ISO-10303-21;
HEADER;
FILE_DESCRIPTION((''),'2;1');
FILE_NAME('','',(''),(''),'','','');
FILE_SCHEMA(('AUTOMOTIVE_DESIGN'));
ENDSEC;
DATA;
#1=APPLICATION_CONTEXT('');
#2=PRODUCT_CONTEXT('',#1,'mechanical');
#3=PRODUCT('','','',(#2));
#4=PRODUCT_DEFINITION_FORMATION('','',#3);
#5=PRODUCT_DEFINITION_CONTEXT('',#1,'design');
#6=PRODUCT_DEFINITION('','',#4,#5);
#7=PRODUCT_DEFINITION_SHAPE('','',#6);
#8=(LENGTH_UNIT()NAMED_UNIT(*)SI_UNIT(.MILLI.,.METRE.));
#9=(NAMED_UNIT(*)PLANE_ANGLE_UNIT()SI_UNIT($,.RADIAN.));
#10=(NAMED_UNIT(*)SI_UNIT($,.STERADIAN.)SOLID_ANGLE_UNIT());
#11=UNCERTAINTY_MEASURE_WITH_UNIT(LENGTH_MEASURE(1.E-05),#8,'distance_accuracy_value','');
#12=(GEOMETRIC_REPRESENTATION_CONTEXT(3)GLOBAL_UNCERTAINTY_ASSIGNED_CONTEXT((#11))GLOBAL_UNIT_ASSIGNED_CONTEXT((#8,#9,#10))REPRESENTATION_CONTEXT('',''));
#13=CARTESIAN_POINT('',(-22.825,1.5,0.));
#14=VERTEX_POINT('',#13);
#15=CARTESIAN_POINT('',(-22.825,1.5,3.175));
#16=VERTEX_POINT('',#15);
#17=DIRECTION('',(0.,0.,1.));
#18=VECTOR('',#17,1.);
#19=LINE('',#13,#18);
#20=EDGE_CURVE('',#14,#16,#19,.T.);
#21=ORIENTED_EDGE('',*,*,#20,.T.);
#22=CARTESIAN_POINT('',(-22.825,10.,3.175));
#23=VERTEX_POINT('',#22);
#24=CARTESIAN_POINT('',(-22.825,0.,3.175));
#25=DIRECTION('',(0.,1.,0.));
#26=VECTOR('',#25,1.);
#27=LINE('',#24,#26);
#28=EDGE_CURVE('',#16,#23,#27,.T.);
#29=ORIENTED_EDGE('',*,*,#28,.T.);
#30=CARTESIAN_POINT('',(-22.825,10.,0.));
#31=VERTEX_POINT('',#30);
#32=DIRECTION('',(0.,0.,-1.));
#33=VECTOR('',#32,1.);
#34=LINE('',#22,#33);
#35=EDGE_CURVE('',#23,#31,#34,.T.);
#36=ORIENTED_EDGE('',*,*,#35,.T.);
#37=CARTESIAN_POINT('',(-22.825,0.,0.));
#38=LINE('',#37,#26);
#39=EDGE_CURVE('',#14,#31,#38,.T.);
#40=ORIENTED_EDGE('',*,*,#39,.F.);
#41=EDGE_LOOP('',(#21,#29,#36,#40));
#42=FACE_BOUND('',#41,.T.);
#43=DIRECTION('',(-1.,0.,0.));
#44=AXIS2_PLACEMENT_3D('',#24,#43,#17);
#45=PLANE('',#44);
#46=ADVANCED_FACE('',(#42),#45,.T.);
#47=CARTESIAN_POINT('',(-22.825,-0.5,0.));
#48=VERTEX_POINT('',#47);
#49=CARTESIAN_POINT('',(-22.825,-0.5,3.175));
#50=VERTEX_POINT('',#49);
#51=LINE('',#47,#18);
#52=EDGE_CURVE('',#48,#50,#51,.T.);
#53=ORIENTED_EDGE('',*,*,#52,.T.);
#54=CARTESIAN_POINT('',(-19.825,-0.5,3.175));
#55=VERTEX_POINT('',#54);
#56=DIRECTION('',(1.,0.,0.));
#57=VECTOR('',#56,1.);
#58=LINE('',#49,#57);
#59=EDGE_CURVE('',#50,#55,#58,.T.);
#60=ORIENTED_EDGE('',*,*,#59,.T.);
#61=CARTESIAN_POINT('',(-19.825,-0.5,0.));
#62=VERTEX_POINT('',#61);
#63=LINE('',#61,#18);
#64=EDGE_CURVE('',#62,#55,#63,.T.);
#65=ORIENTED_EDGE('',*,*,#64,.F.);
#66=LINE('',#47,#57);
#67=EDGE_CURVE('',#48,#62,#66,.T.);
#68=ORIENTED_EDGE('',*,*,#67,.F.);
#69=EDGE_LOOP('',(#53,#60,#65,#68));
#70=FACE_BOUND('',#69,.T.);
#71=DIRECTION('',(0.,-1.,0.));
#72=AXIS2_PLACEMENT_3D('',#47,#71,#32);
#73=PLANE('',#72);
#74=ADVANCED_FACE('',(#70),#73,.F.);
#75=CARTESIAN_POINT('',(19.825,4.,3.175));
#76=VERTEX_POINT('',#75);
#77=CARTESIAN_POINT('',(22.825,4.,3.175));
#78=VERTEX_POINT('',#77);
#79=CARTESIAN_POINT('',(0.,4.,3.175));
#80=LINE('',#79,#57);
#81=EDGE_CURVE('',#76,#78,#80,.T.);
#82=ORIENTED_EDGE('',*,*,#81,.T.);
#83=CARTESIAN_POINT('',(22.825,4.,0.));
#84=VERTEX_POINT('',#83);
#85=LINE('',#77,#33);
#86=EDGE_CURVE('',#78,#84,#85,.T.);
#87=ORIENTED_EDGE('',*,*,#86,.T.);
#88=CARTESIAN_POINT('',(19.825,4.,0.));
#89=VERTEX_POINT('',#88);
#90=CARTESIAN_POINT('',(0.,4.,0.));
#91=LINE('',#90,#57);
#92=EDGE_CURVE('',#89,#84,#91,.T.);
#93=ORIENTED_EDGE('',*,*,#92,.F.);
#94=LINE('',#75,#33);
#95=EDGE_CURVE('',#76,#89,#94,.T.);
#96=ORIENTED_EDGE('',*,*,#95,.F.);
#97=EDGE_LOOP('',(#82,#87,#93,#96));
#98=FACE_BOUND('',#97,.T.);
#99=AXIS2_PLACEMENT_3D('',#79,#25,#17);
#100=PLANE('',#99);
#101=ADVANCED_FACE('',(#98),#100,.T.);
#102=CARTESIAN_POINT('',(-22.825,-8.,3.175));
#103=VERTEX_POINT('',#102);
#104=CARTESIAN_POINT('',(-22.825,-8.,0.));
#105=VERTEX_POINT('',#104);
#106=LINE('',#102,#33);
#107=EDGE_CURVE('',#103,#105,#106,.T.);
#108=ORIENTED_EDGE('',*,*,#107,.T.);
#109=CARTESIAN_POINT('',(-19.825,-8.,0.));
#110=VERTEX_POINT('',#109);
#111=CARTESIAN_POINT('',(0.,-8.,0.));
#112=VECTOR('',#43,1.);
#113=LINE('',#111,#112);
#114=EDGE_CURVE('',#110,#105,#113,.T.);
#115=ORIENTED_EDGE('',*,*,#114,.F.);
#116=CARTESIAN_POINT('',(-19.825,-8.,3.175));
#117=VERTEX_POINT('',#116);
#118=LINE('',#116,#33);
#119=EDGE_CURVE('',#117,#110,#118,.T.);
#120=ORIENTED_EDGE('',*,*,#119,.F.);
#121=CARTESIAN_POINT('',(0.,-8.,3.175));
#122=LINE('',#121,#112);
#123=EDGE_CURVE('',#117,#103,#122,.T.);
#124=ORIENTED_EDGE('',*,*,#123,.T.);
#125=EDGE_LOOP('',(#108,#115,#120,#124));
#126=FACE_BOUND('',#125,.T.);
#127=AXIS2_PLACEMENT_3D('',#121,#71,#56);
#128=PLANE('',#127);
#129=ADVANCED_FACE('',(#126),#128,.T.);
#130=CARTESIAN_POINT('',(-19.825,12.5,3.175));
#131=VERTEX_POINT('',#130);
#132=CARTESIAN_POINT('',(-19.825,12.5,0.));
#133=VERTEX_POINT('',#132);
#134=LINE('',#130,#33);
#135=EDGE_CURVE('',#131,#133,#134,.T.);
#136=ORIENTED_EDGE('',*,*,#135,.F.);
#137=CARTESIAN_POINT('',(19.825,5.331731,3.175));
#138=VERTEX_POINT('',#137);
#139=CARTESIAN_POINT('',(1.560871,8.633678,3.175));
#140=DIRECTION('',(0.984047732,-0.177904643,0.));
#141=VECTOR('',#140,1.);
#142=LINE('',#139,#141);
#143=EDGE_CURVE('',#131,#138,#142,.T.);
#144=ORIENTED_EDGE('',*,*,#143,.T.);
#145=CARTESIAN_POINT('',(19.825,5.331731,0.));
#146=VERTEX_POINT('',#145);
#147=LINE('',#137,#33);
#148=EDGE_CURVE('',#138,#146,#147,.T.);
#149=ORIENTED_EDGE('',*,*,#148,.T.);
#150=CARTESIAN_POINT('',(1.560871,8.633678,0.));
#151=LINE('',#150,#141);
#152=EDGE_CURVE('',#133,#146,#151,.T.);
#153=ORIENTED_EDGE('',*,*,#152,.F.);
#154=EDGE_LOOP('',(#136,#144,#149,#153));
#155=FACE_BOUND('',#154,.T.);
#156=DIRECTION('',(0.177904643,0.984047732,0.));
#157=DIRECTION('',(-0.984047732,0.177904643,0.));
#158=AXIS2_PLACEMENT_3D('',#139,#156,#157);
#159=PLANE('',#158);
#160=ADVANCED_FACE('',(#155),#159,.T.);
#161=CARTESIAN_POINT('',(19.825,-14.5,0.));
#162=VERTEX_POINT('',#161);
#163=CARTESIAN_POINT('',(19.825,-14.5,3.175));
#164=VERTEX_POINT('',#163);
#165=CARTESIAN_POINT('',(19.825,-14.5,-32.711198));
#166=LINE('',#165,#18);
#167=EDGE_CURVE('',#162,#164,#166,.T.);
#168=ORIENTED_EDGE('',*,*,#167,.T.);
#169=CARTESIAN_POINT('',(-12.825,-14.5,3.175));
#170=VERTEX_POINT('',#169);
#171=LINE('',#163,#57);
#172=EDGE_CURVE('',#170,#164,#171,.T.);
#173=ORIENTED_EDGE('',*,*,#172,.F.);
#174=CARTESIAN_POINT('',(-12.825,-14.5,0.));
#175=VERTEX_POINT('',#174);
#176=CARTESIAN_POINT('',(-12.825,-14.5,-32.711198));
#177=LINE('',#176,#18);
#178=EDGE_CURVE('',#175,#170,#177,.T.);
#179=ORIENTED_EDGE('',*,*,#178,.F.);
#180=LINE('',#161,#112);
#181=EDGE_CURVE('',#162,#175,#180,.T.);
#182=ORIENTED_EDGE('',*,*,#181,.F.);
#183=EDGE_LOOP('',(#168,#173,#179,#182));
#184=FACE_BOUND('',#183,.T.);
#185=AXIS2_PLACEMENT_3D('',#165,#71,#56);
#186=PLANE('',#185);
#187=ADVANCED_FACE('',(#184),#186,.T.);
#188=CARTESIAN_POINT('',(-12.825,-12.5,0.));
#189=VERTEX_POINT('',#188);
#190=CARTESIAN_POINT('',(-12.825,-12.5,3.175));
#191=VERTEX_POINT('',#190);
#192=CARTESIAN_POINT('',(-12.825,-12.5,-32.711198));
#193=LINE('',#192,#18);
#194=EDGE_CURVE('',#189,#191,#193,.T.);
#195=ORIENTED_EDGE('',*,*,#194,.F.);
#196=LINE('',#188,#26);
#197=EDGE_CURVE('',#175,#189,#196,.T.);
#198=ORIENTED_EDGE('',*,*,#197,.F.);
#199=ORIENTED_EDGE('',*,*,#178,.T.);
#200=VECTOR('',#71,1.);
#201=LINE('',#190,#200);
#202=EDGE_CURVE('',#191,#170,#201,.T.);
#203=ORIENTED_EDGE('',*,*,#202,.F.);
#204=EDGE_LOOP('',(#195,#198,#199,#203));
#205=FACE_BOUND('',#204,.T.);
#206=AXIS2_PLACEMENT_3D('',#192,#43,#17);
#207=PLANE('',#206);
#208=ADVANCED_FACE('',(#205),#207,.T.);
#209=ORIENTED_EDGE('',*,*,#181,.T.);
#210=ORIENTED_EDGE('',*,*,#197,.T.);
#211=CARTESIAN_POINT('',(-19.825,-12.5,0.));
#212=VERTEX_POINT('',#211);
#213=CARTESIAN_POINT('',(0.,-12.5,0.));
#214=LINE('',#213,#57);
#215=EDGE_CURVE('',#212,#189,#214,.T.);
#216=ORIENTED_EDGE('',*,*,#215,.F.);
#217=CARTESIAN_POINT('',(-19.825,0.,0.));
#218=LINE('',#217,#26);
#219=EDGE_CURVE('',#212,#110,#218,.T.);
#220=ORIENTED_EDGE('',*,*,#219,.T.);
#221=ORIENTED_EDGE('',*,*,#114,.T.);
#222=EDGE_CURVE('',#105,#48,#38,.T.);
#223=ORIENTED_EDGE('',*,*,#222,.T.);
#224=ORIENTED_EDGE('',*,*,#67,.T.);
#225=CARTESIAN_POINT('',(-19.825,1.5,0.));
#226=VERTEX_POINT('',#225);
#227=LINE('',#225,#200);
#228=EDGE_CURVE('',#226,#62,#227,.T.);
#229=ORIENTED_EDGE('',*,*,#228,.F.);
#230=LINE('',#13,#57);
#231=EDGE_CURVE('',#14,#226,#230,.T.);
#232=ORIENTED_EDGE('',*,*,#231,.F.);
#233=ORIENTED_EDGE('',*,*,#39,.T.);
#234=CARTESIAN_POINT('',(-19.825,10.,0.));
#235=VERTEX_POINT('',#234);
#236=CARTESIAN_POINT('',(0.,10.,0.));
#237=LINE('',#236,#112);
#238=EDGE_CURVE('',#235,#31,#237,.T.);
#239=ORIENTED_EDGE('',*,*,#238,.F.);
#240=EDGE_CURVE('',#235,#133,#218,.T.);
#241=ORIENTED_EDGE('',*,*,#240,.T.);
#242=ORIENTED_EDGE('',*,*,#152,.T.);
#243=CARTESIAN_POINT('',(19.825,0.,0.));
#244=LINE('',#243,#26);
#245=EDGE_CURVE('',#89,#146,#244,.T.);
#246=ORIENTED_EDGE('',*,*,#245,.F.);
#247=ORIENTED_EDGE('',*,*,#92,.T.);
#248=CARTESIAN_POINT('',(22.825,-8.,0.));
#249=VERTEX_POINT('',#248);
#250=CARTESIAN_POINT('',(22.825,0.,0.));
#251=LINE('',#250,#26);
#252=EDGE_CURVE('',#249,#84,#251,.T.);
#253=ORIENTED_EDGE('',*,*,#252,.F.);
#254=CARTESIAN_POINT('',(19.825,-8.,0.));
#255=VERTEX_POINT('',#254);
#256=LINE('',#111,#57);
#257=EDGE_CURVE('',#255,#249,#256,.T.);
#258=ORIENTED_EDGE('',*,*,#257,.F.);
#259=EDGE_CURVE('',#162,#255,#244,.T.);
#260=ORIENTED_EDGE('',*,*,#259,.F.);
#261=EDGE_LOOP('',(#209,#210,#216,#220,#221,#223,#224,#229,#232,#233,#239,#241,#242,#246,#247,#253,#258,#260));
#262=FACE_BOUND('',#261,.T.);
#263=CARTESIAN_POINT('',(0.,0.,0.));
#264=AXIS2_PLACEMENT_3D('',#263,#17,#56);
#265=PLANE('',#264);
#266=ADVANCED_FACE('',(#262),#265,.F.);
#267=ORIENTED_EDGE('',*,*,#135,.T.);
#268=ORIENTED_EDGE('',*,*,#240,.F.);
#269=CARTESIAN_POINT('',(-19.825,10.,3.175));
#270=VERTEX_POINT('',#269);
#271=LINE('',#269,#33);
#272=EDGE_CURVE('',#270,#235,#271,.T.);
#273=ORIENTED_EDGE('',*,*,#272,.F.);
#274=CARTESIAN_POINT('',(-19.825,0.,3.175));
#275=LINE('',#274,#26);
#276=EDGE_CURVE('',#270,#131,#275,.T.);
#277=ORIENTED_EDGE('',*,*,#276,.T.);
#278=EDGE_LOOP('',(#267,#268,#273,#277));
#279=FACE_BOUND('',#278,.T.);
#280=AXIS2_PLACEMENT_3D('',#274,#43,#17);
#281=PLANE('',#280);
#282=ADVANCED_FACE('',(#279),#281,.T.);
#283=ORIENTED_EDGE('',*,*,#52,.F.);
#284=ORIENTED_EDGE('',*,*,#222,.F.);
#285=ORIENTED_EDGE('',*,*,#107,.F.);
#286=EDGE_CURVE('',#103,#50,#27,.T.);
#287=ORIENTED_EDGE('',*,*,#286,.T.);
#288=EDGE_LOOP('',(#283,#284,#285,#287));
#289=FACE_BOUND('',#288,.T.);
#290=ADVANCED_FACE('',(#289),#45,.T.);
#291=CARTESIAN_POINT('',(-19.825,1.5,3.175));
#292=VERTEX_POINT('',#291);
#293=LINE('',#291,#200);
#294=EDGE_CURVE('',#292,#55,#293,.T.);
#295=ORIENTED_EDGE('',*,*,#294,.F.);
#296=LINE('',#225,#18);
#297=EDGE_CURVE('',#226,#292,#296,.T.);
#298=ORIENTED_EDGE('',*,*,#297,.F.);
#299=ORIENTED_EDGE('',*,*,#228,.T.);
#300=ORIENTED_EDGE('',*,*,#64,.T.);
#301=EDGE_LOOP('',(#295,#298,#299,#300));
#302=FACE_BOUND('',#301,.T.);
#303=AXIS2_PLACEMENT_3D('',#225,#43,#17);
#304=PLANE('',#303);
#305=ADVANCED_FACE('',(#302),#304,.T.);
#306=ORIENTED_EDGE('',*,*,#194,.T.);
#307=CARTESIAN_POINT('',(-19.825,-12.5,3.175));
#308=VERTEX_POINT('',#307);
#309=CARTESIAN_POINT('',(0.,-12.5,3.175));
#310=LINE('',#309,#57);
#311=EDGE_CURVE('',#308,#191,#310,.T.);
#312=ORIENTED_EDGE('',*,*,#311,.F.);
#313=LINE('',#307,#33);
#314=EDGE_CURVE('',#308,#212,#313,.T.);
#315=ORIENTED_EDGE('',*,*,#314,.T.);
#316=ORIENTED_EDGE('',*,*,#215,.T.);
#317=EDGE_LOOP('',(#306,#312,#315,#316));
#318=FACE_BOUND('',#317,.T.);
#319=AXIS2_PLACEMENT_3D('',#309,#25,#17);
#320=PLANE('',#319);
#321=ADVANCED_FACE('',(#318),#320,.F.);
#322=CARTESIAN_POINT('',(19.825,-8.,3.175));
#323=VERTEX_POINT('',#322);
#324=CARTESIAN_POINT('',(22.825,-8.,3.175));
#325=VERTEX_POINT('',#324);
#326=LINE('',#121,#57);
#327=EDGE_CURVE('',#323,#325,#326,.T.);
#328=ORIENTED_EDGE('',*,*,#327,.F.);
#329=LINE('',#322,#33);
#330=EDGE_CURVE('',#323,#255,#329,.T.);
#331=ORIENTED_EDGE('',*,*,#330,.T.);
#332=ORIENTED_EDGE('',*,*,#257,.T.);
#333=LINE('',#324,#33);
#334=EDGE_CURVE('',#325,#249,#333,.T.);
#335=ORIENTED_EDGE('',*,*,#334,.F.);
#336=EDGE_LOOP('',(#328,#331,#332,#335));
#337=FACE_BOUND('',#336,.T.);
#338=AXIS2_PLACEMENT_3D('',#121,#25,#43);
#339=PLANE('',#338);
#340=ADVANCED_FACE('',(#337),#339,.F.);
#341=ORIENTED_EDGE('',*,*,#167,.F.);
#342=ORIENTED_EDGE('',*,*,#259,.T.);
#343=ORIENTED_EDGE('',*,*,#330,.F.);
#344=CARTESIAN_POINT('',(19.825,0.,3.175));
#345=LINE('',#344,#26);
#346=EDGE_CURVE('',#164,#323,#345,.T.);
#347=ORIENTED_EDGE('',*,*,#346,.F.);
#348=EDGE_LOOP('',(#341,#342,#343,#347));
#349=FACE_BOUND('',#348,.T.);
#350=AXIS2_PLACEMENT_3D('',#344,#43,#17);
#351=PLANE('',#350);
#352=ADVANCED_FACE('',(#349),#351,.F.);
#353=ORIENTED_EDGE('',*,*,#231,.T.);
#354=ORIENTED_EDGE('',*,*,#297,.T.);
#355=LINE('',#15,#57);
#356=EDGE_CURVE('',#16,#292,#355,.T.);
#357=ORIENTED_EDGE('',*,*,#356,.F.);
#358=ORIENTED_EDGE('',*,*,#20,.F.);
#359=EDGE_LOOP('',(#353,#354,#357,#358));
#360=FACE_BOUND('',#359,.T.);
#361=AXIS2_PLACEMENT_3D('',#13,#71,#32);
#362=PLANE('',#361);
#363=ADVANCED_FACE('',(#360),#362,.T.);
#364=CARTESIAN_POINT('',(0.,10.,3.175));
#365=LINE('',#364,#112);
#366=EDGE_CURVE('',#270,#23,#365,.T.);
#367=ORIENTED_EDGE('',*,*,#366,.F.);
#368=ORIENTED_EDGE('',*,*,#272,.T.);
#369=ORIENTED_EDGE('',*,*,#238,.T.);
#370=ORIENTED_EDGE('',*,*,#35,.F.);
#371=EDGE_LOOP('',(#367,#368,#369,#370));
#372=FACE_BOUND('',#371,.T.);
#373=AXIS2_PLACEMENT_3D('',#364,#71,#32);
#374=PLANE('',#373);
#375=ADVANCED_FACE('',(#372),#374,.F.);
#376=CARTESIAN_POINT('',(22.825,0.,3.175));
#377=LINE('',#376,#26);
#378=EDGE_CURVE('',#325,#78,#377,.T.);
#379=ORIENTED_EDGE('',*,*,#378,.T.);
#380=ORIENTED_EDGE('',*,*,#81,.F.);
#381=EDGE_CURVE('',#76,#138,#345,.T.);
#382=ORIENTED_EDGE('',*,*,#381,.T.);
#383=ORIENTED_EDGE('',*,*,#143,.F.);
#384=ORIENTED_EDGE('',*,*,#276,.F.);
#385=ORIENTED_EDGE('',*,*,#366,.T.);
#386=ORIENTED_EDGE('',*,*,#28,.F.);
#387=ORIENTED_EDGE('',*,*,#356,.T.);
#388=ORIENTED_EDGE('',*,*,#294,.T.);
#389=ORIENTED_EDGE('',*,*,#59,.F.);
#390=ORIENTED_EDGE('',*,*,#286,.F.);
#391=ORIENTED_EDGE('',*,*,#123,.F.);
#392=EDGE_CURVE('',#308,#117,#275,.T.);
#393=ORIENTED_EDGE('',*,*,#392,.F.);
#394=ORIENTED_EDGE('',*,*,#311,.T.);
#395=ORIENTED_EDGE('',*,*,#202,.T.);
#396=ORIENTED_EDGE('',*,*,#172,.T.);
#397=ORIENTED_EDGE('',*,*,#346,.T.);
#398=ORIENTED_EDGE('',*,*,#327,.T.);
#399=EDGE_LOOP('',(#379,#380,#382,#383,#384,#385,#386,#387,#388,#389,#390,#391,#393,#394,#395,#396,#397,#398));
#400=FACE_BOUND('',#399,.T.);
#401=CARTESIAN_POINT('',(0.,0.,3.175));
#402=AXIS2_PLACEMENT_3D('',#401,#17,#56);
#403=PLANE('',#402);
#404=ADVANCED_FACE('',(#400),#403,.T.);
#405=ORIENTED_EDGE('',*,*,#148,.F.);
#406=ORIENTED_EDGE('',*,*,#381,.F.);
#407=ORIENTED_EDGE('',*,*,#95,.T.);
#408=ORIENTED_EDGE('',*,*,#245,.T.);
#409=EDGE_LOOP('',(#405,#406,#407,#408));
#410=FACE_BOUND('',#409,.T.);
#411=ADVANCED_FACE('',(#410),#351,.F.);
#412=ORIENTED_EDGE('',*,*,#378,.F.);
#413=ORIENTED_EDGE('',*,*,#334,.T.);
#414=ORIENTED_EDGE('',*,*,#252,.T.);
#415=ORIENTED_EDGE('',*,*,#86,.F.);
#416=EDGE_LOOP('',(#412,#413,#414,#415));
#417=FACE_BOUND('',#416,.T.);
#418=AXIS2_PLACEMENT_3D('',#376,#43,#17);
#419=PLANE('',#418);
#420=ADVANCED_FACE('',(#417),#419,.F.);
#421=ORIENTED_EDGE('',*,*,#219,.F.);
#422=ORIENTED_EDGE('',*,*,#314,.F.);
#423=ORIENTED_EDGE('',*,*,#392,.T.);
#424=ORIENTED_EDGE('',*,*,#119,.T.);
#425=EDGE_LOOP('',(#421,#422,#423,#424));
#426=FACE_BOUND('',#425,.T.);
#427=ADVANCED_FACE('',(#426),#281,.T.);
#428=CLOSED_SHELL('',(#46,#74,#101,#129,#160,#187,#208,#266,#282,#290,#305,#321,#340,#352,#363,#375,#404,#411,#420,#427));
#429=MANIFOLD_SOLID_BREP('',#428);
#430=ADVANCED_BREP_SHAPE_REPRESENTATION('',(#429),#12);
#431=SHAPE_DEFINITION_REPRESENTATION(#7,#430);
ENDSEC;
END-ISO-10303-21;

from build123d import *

# Parameters (mm, degrees)
SKETCH1_W               = 3
SKETCH1_H               = 12
SKETCH1_H_2             = 18
BOSS_EXTRUDE1_DEPTH     = 3.175
SKETCH2_W               = 32.65
SKETCH2_H               = 2
BOSS_EXTRUDE2_DEPTH     = 3.175
CUT_EXTRUDE1_DEPTH      = 28.227031605
CUT_EXTRUDE1_DEPTH_BACK = 28.227031605
SKETCH3_W               = 3
SKETCH3_H               = 2


with BuildPart() as part:
    # Sketch1 → Boss-Extrude1 (new body)
    with BuildSketch(Plane.XY):
        Polygon((19.825, 5.331730769), (-19.825, 12.5), (-19.825, 10), (-19.825, -8), (-19.825, -12.5), (19.825, -12.5), (19.825, -8), (19.825, 4), align=None)
        with Locations((21.325, -2)):
            Rectangle(SKETCH1_W, SKETCH1_H)
        with Locations((-21.325, 1)):
            Rectangle(SKETCH1_W, SKETCH1_H_2)
    extrude(amount=BOSS_EXTRUDE1_DEPTH)

    # Sketch2 → Boss-Extrude2 (add)
    with BuildSketch(Plane.XY.offset(3.175)):
        with Locations((3.5, -13.5)):
            Rectangle(SKETCH2_W, SKETCH2_H)
    extrude(amount=-BOSS_EXTRUDE2_DEPTH)

    # Sketch3 → Cut-Extrude1 (cut, two sides: drawn at the far end of the back side and taken through both)
    with BuildSketch(Plane.XY.offset(3.175).offset(-CUT_EXTRUDE1_DEPTH_BACK)):
        with Locations((-21.325, 0.5)):
            Rectangle(SKETCH3_W, SKETCH3_H)
    extrude(amount=CUT_EXTRUDE1_DEPTH + CUT_EXTRUDE1_DEPTH_BACK, mode=Mode.SUBTRACT)


solid = part.part
